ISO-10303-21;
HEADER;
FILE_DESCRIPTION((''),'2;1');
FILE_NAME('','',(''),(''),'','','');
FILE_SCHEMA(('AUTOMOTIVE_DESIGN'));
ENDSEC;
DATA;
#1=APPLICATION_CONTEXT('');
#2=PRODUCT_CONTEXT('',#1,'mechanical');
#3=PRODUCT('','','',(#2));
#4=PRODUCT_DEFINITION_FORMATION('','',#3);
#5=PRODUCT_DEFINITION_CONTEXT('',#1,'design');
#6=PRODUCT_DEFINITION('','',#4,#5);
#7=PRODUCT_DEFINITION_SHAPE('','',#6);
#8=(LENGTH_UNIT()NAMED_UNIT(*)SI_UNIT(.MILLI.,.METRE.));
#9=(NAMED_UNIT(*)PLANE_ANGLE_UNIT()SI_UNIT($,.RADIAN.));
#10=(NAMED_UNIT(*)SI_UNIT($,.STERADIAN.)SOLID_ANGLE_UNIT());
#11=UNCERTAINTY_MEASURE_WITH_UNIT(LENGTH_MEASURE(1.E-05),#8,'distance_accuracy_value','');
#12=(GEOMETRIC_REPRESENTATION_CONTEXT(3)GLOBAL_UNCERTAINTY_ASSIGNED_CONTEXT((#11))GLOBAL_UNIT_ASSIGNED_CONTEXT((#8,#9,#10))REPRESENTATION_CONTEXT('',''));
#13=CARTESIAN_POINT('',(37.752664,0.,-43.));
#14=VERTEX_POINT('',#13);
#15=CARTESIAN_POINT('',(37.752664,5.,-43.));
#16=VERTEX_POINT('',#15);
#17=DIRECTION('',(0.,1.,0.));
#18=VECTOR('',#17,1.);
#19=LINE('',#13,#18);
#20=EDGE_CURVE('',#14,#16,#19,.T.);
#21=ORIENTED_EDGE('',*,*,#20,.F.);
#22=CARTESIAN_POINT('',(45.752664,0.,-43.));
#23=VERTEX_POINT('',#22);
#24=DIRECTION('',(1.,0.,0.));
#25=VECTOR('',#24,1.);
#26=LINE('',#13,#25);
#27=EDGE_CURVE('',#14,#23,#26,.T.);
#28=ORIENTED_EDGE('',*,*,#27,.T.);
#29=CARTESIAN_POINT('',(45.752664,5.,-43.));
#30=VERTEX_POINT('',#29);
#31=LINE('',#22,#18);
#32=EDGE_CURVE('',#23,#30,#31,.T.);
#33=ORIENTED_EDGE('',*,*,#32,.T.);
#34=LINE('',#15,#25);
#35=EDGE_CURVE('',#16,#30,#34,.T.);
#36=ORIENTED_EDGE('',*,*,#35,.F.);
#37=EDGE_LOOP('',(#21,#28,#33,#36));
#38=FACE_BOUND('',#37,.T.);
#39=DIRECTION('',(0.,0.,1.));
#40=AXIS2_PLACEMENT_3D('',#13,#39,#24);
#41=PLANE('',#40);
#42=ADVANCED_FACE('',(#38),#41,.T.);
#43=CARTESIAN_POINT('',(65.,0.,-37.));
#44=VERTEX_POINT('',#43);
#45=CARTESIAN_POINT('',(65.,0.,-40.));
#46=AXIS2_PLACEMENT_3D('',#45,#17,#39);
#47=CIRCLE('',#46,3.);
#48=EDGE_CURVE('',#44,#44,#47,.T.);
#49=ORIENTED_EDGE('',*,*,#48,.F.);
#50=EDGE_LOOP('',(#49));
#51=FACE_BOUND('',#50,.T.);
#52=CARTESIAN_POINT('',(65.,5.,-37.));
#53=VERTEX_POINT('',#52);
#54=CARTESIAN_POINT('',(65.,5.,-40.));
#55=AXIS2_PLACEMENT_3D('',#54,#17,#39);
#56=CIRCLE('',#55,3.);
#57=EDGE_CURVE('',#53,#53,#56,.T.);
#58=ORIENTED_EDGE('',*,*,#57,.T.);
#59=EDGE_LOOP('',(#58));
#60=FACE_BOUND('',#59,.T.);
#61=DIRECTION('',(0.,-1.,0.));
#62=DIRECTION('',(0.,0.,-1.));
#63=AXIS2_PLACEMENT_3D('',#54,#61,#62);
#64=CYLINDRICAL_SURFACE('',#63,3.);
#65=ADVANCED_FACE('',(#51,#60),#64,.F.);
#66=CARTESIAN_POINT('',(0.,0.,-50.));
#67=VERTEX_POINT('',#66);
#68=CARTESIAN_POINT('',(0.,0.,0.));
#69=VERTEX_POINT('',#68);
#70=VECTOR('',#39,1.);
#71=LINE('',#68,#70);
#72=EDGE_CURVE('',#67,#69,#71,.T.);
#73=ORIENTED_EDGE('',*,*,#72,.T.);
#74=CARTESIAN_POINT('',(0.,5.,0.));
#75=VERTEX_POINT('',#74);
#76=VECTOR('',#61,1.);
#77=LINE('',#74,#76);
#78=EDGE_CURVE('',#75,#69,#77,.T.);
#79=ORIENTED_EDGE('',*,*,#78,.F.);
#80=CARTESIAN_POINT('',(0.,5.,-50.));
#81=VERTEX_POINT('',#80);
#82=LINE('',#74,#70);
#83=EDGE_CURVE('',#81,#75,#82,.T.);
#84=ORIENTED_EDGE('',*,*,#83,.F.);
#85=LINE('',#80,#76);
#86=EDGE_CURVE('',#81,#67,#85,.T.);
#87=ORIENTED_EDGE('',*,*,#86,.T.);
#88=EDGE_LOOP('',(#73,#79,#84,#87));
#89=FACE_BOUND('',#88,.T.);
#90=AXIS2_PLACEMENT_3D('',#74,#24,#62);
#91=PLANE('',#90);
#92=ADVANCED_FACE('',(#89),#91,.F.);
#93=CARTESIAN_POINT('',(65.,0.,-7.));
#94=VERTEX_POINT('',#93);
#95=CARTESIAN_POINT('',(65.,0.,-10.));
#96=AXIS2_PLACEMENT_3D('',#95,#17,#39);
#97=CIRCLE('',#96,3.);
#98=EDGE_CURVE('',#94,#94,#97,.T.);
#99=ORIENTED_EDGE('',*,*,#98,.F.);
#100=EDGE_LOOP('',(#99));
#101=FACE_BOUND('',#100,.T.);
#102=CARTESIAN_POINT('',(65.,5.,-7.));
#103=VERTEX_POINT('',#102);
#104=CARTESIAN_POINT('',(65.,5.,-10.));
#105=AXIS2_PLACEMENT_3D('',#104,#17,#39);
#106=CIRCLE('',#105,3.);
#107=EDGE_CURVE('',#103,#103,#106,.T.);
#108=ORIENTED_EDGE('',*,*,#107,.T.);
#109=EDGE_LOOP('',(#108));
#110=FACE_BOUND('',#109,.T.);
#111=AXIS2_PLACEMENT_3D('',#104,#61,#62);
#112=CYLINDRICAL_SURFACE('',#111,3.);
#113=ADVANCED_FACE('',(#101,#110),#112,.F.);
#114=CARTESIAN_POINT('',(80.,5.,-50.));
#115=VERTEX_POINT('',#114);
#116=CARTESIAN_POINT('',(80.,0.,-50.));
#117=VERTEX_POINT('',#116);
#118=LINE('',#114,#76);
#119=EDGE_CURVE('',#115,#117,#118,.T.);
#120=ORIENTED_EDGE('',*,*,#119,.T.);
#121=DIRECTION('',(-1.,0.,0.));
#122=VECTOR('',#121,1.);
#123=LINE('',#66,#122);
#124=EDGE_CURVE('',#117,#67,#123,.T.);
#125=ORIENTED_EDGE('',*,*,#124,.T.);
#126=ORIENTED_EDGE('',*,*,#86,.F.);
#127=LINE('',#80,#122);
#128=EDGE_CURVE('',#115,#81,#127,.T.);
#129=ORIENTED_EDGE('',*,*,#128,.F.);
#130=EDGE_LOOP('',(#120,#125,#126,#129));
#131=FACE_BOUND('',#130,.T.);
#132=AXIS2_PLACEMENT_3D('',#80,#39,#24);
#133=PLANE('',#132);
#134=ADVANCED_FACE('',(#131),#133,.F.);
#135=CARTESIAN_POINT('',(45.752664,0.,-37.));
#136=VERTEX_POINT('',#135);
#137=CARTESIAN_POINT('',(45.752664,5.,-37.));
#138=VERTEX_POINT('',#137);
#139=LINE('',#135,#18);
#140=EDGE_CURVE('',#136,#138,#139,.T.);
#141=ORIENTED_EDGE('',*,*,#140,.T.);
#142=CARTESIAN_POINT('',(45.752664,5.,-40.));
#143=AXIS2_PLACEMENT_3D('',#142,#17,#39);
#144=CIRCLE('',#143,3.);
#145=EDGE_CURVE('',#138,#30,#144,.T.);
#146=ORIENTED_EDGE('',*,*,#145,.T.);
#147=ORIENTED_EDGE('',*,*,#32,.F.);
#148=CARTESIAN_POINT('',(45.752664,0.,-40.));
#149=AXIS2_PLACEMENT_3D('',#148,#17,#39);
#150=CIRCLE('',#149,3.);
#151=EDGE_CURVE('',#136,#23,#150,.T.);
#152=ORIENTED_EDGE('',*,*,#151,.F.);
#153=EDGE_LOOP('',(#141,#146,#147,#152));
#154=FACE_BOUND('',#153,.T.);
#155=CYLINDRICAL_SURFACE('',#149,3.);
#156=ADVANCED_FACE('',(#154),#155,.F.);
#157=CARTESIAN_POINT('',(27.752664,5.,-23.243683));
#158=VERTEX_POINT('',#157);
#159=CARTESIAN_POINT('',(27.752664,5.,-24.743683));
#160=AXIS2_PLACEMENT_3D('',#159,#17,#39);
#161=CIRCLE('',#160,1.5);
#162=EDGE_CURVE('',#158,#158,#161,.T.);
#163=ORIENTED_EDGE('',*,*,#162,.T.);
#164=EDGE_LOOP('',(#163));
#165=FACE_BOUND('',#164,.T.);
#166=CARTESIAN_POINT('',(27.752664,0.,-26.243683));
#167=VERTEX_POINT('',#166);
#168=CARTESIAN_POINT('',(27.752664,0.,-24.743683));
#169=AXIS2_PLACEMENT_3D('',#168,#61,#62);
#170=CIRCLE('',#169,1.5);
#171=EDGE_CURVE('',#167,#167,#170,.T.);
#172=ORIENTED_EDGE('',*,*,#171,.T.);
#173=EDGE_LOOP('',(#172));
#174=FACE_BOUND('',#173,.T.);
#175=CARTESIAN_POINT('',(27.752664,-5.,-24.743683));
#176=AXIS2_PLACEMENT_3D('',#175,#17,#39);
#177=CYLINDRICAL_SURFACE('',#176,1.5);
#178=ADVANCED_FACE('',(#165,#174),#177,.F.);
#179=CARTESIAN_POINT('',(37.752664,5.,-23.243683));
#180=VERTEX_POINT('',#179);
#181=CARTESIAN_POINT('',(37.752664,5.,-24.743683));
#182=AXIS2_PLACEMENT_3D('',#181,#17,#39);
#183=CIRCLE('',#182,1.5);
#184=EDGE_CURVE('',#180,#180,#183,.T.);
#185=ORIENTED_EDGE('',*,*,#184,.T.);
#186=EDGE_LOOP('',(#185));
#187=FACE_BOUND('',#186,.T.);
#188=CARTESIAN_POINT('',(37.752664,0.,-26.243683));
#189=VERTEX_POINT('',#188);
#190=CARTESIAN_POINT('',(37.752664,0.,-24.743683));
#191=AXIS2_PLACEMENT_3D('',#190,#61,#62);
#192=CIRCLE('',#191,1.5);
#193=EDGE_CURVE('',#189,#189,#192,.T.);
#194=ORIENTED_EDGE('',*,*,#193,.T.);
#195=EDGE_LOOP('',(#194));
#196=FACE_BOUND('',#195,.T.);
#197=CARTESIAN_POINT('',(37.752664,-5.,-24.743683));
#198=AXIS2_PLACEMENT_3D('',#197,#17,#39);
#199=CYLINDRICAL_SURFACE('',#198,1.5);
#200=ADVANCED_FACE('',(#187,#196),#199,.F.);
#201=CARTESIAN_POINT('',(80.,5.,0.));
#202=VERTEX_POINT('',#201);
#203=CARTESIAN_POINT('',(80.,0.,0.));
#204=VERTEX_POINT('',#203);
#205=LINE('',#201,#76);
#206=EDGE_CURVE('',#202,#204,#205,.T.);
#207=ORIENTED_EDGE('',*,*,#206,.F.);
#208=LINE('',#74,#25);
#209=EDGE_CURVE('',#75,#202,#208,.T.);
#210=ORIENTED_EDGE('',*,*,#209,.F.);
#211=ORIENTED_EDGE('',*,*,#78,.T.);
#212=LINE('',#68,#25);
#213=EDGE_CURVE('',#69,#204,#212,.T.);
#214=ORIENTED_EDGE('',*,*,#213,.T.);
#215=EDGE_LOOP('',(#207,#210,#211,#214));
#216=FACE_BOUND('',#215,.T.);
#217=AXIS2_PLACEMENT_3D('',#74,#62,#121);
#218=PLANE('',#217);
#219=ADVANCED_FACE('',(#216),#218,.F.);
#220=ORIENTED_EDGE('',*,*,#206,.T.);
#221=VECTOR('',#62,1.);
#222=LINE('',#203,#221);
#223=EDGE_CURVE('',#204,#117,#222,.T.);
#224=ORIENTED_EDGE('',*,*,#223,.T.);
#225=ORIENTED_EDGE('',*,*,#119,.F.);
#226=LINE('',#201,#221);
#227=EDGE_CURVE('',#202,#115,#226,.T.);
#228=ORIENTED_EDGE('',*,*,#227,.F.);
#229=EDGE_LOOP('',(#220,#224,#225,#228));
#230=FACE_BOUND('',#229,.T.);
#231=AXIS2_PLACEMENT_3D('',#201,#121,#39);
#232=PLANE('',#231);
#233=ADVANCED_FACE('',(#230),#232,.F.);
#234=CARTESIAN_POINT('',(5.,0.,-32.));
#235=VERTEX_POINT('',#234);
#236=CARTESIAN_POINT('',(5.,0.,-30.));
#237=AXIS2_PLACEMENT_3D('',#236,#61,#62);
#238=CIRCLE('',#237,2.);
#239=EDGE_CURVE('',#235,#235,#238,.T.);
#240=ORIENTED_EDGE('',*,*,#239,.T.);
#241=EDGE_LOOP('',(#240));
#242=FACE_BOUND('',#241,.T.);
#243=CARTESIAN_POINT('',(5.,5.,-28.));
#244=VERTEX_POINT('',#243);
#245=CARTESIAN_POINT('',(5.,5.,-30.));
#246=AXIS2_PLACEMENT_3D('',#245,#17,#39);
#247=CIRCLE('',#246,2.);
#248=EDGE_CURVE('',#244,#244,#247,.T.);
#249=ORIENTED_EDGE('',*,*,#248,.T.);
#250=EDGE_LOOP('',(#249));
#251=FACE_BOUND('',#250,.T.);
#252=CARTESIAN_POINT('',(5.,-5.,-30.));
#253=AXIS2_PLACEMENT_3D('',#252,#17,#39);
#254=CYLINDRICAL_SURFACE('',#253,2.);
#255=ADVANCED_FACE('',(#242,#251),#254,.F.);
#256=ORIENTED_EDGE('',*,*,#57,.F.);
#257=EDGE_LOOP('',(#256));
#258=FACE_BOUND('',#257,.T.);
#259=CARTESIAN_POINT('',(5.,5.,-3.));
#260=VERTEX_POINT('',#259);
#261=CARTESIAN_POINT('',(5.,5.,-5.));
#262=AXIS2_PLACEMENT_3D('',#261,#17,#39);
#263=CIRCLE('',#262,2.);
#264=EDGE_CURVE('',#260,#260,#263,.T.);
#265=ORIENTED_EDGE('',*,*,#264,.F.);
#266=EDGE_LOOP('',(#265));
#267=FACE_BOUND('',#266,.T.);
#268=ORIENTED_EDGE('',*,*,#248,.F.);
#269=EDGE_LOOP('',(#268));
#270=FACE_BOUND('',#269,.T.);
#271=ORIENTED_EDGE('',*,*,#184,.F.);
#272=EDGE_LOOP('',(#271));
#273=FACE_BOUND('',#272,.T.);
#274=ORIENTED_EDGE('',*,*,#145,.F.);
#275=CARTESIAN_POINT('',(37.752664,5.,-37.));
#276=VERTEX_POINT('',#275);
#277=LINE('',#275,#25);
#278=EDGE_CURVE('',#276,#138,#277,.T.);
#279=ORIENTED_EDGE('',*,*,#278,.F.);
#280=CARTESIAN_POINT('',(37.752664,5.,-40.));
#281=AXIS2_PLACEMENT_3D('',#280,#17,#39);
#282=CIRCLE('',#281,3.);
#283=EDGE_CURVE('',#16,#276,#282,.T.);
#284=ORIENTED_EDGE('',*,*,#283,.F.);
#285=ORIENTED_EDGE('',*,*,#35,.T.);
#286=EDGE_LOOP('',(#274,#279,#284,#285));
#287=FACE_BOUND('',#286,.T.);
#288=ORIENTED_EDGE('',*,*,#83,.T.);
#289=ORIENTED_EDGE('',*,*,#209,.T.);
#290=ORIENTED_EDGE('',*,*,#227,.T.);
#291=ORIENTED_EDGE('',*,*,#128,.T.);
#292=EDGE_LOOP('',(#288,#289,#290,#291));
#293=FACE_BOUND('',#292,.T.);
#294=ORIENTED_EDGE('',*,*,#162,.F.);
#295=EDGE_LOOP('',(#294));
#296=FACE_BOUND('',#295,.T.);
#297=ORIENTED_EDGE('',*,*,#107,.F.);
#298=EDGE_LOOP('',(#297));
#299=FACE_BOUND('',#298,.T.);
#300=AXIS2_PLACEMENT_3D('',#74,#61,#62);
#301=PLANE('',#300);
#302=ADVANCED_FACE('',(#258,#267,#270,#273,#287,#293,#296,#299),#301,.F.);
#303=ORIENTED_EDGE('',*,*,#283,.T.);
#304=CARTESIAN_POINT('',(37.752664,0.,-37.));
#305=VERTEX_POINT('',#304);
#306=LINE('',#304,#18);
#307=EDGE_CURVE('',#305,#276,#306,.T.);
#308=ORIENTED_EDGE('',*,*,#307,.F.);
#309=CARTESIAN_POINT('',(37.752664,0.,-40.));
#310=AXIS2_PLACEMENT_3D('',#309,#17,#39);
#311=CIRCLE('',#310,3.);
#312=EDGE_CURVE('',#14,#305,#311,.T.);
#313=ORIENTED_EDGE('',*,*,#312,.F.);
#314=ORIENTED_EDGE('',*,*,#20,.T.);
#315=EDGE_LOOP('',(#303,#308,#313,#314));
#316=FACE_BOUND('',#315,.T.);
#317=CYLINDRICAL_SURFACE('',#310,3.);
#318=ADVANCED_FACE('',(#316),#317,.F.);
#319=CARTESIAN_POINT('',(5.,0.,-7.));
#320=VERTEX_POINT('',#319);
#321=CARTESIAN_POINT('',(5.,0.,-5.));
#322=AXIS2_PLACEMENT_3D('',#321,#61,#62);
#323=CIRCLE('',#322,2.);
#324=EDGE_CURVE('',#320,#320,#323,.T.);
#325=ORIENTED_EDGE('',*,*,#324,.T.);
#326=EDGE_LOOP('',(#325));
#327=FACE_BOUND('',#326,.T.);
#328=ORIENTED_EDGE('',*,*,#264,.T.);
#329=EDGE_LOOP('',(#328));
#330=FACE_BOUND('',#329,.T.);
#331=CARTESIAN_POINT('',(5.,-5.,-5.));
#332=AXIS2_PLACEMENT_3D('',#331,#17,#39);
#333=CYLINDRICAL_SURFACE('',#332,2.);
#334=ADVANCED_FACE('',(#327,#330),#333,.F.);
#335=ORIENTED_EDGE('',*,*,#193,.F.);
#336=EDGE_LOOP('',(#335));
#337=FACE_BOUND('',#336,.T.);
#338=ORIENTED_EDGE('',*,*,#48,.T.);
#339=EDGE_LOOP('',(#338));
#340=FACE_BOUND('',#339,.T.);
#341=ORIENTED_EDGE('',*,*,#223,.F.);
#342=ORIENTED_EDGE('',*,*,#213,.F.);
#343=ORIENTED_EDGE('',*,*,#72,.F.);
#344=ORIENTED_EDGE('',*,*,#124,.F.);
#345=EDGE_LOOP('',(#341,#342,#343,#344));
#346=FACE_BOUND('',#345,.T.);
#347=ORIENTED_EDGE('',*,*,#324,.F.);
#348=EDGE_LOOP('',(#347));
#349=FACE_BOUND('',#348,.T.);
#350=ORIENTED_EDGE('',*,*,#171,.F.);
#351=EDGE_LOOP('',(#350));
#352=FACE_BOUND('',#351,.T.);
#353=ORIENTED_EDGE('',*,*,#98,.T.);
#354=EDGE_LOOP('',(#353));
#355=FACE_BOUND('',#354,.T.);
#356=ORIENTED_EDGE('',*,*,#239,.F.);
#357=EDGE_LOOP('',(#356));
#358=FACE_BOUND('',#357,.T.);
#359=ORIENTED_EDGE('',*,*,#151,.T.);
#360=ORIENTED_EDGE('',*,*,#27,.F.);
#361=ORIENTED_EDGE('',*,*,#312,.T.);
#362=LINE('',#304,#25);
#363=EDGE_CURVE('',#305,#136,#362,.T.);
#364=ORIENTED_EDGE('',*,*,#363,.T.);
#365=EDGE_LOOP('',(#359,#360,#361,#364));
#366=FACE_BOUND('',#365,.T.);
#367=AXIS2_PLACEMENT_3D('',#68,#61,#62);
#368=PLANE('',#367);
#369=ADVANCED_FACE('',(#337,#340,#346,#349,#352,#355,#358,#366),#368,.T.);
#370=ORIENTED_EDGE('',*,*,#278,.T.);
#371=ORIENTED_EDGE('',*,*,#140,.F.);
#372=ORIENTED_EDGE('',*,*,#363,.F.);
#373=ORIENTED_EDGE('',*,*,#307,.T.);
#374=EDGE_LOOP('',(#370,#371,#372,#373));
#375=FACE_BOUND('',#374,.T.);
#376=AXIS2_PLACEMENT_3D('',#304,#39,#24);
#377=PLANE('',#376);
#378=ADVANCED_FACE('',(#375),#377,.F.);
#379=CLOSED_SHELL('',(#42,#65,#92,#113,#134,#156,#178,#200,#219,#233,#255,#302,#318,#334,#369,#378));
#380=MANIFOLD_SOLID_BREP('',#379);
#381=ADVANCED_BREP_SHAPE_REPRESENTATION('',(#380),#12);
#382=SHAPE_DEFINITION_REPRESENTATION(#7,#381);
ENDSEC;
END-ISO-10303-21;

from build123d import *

# Parameters (mm, degrees)
SKETCH1_W           = 80
SKETCH1_H           = 50
SKETCH1_R           = 3
BOSS_EXTRUDE1_DEPTH = 5
CUT_EXTRUDE1_DEPTH  = 5
SKETCH4_R           = 1.5
SKETCH4_R_2         = 2
CUT_EXTRUDE2_DEPTH  = 10


with BuildPart() as part:
    # Sketch1 → Boss-Extrude1 (new body)
    with BuildSketch(Plane(origin=(0, 0, 0), x_dir=(1, 0, 0), z_dir=(0, 1, 0))):
        with Locations((40, 25)):
            Rectangle(SKETCH1_W, SKETCH1_H)
        with Locations(Location((65, 10, 0), (0, 0, 270))):
            Circle(SKETCH1_R, mode=Mode.SUBTRACT)
        with Locations(Location((65, 40, 0), (0, 0, 270))):
            Circle(SKETCH1_R, mode=Mode.SUBTRACT)
    extrude(amount=BOSS_EXTRUDE1_DEPTH)

    # Sketch2 → Cut-Extrude1 (cut)
    with BuildSketch(Plane(origin=(0, 5, 0), x_dir=(1, 0, 0), z_dir=(0, 1, 0))):
        with BuildLine():
            Line((37.752664082, 43), (45.752664082, 43))
            ThreePointArc((45.752664082, 43), (48.752664082, 40), (45.752664082, 37))
            Line((45.752664082, 37), (37.752664082, 37))
            ThreePointArc((37.752664082, 37), (34.752664082, 40), (37.752664082, 43))
        make_face()
    extrude(amount=-CUT_EXTRUDE1_DEPTH, mode=Mode.SUBTRACT)

    # Sketch4 → Cut-Extrude2 (cut)
    with BuildSketch(Plane(origin=(0, 5, 0), x_dir=(1, 0, 0), z_dir=(0, 1, 0))):
        with Locations(Location((37.752664082, 24.743683398, 0), (0, 0, 270))):
            Circle(SKETCH4_R)
        with Locations(Location((27.752664082, 24.743683398, 0), (0, 0, 270))):
            Circle(SKETCH4_R)
        with Locations(Location((5, 30, 0), (0, 0, 270))):
            Circle(SKETCH4_R_2)
        with Locations(Location((5, 5, 0), (0, 0, 270))):
            Circle(SKETCH4_R_2)
    extrude(amount=-CUT_EXTRUDE2_DEPTH, mode=Mode.SUBTRACT)


solid = part.part
